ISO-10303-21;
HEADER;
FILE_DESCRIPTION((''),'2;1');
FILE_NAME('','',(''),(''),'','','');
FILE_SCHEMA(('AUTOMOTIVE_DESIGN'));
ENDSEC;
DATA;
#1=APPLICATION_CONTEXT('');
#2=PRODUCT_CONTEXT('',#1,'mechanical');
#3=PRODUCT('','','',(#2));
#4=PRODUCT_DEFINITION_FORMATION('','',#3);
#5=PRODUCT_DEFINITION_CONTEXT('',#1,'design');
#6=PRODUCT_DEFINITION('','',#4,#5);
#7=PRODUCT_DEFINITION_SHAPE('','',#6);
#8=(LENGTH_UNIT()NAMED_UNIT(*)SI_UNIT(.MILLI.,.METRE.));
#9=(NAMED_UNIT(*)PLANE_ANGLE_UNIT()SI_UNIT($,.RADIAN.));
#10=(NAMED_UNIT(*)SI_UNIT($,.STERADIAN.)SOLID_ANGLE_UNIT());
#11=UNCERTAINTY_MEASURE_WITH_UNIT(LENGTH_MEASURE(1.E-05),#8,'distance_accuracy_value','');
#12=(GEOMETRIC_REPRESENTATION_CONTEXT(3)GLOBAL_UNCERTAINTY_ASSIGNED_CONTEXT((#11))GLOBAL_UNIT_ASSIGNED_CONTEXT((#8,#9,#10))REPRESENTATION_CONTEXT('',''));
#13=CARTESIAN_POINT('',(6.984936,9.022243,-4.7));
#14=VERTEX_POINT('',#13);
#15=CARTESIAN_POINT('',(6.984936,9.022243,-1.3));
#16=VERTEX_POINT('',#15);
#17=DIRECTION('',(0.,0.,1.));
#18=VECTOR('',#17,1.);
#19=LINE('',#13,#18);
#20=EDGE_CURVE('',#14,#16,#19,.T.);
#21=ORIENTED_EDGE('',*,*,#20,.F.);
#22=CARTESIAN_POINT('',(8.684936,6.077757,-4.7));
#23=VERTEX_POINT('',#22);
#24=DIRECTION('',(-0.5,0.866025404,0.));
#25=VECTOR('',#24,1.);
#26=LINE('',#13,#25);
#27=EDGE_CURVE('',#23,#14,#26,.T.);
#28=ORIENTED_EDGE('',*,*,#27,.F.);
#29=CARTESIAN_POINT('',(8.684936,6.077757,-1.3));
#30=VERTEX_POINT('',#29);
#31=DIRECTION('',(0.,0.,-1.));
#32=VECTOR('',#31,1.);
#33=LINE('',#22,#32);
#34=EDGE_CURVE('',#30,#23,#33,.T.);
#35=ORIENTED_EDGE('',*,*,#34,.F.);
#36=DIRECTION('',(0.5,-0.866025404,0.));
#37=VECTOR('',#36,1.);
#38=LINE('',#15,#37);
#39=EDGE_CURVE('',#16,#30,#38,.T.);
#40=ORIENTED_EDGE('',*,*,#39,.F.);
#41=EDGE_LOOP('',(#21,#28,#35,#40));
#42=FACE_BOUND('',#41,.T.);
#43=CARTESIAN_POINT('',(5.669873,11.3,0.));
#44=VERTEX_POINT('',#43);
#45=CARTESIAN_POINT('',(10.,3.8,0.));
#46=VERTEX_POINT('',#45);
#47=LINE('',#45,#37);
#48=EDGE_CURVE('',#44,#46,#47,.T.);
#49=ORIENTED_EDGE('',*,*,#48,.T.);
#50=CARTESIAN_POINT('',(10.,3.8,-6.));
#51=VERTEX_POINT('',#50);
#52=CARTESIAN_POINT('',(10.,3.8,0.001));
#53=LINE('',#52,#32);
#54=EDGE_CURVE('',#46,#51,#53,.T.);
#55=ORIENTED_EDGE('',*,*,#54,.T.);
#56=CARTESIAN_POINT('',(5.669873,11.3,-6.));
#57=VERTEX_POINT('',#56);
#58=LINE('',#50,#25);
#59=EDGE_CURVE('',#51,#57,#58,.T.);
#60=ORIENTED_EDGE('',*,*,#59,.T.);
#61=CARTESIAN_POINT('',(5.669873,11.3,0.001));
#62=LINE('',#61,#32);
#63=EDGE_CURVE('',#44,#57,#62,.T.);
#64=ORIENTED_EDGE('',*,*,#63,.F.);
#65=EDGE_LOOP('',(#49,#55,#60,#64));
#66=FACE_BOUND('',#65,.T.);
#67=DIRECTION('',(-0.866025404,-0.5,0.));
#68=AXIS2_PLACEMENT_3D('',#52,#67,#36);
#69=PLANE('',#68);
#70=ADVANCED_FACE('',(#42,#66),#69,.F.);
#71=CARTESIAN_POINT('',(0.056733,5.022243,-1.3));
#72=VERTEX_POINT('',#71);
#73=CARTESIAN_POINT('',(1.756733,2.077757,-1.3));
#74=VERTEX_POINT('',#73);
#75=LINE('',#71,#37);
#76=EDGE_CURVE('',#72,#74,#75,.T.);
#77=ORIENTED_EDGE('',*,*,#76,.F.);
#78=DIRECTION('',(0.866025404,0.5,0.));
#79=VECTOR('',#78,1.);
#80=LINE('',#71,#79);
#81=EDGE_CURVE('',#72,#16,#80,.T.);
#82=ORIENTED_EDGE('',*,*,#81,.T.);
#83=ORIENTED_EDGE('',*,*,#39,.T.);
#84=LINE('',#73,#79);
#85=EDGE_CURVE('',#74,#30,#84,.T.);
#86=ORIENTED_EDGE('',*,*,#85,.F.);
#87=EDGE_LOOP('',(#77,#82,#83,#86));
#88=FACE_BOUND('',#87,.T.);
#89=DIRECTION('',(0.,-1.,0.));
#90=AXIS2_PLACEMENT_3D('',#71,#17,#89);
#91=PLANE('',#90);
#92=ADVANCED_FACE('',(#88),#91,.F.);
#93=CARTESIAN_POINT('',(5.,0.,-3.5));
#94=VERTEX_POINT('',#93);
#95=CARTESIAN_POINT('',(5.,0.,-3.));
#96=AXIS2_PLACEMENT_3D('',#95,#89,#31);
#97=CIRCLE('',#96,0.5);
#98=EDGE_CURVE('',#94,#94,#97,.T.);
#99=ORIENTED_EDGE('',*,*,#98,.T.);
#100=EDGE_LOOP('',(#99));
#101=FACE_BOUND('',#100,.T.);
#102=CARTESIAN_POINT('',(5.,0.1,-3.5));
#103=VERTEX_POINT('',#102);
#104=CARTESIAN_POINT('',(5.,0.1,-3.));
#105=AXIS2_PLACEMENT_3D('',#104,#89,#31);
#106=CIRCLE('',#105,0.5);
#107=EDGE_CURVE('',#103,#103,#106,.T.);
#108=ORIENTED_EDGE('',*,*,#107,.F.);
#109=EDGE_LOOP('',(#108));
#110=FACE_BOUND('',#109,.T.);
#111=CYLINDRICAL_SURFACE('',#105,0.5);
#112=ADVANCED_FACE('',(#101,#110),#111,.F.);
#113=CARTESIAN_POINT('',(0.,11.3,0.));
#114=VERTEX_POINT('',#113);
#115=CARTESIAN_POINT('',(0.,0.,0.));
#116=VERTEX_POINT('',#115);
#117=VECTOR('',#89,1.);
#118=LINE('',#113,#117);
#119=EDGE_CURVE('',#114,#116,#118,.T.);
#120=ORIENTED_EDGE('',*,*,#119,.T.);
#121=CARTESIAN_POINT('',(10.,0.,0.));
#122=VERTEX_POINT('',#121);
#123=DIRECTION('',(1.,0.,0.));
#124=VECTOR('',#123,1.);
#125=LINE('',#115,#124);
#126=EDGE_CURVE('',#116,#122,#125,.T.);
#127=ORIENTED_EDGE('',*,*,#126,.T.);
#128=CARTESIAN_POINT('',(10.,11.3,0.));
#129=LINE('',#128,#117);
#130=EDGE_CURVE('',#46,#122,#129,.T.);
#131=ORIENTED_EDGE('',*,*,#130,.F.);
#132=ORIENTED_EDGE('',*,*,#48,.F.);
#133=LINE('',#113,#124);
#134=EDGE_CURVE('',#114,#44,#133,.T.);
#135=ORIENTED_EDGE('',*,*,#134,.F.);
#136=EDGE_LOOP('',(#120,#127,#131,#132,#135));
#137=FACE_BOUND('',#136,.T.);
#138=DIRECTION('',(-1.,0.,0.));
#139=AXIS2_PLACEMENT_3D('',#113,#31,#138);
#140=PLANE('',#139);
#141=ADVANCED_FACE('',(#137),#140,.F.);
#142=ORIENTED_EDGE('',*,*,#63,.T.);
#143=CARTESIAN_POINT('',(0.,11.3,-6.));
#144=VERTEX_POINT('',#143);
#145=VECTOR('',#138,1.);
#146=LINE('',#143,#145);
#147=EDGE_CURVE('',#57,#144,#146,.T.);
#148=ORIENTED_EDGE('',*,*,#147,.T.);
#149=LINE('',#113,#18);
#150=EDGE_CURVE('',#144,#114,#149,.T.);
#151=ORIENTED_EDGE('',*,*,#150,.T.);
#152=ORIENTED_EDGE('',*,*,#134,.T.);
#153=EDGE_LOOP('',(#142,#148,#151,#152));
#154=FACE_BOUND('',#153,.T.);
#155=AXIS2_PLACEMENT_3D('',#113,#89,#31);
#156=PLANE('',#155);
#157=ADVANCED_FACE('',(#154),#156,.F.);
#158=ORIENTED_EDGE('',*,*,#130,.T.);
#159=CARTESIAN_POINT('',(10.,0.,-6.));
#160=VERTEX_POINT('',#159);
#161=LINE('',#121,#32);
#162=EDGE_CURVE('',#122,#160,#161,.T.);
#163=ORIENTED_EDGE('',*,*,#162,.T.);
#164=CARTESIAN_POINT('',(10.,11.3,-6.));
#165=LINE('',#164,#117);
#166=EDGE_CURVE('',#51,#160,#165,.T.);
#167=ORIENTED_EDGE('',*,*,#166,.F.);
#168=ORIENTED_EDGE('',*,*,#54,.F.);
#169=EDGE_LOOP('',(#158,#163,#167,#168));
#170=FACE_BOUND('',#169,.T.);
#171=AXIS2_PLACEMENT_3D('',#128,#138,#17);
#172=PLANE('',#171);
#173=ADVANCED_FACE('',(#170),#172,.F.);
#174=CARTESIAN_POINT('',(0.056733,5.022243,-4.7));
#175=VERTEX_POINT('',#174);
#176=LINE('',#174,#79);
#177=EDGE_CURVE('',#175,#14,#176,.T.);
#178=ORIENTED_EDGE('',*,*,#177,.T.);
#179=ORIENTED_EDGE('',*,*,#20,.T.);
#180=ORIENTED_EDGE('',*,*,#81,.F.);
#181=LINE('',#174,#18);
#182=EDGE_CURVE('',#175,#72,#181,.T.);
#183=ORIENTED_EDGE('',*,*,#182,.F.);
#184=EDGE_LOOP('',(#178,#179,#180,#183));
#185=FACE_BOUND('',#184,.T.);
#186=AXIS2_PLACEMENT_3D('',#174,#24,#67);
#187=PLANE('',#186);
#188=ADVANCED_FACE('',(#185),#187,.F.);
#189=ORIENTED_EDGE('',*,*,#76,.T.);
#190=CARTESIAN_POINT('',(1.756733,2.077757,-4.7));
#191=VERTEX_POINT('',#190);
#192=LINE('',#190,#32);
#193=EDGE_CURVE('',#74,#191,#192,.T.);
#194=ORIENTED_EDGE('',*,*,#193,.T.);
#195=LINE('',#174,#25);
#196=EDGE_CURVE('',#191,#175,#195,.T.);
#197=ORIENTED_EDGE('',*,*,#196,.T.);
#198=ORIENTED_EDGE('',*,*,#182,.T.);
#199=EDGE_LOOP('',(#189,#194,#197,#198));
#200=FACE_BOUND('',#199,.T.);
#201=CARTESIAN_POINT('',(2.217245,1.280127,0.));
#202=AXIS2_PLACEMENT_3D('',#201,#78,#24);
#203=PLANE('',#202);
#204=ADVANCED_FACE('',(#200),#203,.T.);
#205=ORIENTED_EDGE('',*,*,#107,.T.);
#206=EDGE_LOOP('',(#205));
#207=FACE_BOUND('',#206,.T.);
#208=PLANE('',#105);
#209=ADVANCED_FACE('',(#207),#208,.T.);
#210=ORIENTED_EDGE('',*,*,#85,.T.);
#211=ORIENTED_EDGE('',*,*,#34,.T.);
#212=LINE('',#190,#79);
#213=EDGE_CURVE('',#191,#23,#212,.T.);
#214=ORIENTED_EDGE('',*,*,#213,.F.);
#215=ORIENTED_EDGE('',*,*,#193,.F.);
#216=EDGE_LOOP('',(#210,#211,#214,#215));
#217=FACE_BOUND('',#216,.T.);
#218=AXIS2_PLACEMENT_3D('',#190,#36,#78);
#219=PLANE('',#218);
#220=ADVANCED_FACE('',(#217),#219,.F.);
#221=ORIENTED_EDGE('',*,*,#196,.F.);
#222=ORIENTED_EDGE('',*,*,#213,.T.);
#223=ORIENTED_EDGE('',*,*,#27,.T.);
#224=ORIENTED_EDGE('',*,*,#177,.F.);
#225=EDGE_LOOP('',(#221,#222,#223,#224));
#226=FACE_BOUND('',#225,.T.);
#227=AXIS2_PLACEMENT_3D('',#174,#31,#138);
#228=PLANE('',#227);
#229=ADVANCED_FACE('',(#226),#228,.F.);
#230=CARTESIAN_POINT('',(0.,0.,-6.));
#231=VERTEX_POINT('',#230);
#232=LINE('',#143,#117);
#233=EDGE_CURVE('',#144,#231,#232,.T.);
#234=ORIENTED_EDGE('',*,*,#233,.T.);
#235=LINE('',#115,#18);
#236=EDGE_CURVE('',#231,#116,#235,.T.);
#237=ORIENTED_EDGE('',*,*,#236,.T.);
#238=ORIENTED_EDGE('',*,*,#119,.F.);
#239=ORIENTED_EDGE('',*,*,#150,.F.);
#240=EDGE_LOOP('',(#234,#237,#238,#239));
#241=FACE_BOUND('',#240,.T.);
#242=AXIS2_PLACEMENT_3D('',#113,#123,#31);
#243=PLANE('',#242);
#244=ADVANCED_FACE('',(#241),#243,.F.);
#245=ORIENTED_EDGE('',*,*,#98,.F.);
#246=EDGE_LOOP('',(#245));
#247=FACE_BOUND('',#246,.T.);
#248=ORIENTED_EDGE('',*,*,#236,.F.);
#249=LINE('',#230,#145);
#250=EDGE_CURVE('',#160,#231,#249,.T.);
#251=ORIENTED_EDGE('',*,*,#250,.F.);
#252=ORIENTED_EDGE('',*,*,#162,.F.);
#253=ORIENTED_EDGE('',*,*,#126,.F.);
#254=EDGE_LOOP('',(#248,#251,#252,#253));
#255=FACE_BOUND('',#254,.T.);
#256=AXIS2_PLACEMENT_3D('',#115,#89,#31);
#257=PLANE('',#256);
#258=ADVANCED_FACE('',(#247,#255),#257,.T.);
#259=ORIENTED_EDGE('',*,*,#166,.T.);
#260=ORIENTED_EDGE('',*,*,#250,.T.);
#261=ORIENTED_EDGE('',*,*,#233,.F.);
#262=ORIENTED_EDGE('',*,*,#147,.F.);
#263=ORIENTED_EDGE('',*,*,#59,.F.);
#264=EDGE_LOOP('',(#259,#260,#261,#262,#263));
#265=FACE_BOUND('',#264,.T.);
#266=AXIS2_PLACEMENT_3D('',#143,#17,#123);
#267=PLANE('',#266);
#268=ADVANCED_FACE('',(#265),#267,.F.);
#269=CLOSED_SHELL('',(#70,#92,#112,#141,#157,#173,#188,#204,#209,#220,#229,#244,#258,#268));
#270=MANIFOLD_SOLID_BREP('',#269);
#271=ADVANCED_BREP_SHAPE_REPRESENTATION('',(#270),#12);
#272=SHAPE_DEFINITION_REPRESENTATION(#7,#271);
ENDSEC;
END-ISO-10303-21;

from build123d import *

# Parameters (mm, degrees)
SKETCH_1_W          = 10
SKETCH_1_H          = 6
EXTRUDE_1_DEPTH     = 11.3
CUT_EXTRUDE_1_REACH = 18.239
SKETCH_3_W          = 3.4
SKETCH_3_H          = 3.4
CUT_EXTRUDE_2_DEPTH = 8
SKETCH_4_R          = 0.5
CUT_EXTRUDE_3_DEPTH = 0.1


with BuildPart() as part:
    # 草图1 → 凸台-拉伸1 (new body)
    with BuildSketch(Plane(origin=(0, 0, 0), x_dir=(1, 0, 0), z_dir=(0, 1, 0))):
        with Locations((5, 3)):
            Rectangle(SKETCH_1_W, SKETCH_1_H)
    extrude(amount=EXTRUDE_1_DEPTH)

    # 草图2 → 切除-拉伸1 (cut, up to next)
    with BuildSketch(Plane(origin=(0, 0, -6), x_dir=(-1, 0, 0), z_dir=(0, 0, -1)), mode=Mode.PRIVATE) as cut_extrude_1_sk1:
        Polygon((-10, 3.8), (-5.669872981, 11.3), (-10, 11.3), align=None)
    cut_extrude_1_tool1 = extrude(cut_extrude_1_sk1.sketch, amount=-CUT_EXTRUDE_1_REACH, mode=Mode.PRIVATE) & part.part
    add(cut_extrude_1_tool1.solids().sort_by_distance((8.556624, 8.8, -6))[0], mode=Mode.SUBTRACT)

    # 草图3 → 切除-拉伸2 (cut)
    with BuildSketch(Plane(origin=(9.145448267, 5.280127019, 0), x_dir=(0, 0, -1), z_dir=(0.8660254037844417, 0.4999999999999948, 0))):
        with Locations((3, 2.621023553)):
            Rectangle(SKETCH_3_W, SKETCH_3_H)
    extrude(amount=-CUT_EXTRUDE_2_DEPTH, mode=Mode.SUBTRACT)

    # 草图4 → 切除-拉伸3 (cut)
    with BuildSketch(Plane.XZ):
        with Locations(Location((5, -3, 0), (0, 0, 270))):
            Circle(SKETCH_4_R)
    extrude(amount=-CUT_EXTRUDE_3_DEPTH, mode=Mode.SUBTRACT)


solid = part.part
